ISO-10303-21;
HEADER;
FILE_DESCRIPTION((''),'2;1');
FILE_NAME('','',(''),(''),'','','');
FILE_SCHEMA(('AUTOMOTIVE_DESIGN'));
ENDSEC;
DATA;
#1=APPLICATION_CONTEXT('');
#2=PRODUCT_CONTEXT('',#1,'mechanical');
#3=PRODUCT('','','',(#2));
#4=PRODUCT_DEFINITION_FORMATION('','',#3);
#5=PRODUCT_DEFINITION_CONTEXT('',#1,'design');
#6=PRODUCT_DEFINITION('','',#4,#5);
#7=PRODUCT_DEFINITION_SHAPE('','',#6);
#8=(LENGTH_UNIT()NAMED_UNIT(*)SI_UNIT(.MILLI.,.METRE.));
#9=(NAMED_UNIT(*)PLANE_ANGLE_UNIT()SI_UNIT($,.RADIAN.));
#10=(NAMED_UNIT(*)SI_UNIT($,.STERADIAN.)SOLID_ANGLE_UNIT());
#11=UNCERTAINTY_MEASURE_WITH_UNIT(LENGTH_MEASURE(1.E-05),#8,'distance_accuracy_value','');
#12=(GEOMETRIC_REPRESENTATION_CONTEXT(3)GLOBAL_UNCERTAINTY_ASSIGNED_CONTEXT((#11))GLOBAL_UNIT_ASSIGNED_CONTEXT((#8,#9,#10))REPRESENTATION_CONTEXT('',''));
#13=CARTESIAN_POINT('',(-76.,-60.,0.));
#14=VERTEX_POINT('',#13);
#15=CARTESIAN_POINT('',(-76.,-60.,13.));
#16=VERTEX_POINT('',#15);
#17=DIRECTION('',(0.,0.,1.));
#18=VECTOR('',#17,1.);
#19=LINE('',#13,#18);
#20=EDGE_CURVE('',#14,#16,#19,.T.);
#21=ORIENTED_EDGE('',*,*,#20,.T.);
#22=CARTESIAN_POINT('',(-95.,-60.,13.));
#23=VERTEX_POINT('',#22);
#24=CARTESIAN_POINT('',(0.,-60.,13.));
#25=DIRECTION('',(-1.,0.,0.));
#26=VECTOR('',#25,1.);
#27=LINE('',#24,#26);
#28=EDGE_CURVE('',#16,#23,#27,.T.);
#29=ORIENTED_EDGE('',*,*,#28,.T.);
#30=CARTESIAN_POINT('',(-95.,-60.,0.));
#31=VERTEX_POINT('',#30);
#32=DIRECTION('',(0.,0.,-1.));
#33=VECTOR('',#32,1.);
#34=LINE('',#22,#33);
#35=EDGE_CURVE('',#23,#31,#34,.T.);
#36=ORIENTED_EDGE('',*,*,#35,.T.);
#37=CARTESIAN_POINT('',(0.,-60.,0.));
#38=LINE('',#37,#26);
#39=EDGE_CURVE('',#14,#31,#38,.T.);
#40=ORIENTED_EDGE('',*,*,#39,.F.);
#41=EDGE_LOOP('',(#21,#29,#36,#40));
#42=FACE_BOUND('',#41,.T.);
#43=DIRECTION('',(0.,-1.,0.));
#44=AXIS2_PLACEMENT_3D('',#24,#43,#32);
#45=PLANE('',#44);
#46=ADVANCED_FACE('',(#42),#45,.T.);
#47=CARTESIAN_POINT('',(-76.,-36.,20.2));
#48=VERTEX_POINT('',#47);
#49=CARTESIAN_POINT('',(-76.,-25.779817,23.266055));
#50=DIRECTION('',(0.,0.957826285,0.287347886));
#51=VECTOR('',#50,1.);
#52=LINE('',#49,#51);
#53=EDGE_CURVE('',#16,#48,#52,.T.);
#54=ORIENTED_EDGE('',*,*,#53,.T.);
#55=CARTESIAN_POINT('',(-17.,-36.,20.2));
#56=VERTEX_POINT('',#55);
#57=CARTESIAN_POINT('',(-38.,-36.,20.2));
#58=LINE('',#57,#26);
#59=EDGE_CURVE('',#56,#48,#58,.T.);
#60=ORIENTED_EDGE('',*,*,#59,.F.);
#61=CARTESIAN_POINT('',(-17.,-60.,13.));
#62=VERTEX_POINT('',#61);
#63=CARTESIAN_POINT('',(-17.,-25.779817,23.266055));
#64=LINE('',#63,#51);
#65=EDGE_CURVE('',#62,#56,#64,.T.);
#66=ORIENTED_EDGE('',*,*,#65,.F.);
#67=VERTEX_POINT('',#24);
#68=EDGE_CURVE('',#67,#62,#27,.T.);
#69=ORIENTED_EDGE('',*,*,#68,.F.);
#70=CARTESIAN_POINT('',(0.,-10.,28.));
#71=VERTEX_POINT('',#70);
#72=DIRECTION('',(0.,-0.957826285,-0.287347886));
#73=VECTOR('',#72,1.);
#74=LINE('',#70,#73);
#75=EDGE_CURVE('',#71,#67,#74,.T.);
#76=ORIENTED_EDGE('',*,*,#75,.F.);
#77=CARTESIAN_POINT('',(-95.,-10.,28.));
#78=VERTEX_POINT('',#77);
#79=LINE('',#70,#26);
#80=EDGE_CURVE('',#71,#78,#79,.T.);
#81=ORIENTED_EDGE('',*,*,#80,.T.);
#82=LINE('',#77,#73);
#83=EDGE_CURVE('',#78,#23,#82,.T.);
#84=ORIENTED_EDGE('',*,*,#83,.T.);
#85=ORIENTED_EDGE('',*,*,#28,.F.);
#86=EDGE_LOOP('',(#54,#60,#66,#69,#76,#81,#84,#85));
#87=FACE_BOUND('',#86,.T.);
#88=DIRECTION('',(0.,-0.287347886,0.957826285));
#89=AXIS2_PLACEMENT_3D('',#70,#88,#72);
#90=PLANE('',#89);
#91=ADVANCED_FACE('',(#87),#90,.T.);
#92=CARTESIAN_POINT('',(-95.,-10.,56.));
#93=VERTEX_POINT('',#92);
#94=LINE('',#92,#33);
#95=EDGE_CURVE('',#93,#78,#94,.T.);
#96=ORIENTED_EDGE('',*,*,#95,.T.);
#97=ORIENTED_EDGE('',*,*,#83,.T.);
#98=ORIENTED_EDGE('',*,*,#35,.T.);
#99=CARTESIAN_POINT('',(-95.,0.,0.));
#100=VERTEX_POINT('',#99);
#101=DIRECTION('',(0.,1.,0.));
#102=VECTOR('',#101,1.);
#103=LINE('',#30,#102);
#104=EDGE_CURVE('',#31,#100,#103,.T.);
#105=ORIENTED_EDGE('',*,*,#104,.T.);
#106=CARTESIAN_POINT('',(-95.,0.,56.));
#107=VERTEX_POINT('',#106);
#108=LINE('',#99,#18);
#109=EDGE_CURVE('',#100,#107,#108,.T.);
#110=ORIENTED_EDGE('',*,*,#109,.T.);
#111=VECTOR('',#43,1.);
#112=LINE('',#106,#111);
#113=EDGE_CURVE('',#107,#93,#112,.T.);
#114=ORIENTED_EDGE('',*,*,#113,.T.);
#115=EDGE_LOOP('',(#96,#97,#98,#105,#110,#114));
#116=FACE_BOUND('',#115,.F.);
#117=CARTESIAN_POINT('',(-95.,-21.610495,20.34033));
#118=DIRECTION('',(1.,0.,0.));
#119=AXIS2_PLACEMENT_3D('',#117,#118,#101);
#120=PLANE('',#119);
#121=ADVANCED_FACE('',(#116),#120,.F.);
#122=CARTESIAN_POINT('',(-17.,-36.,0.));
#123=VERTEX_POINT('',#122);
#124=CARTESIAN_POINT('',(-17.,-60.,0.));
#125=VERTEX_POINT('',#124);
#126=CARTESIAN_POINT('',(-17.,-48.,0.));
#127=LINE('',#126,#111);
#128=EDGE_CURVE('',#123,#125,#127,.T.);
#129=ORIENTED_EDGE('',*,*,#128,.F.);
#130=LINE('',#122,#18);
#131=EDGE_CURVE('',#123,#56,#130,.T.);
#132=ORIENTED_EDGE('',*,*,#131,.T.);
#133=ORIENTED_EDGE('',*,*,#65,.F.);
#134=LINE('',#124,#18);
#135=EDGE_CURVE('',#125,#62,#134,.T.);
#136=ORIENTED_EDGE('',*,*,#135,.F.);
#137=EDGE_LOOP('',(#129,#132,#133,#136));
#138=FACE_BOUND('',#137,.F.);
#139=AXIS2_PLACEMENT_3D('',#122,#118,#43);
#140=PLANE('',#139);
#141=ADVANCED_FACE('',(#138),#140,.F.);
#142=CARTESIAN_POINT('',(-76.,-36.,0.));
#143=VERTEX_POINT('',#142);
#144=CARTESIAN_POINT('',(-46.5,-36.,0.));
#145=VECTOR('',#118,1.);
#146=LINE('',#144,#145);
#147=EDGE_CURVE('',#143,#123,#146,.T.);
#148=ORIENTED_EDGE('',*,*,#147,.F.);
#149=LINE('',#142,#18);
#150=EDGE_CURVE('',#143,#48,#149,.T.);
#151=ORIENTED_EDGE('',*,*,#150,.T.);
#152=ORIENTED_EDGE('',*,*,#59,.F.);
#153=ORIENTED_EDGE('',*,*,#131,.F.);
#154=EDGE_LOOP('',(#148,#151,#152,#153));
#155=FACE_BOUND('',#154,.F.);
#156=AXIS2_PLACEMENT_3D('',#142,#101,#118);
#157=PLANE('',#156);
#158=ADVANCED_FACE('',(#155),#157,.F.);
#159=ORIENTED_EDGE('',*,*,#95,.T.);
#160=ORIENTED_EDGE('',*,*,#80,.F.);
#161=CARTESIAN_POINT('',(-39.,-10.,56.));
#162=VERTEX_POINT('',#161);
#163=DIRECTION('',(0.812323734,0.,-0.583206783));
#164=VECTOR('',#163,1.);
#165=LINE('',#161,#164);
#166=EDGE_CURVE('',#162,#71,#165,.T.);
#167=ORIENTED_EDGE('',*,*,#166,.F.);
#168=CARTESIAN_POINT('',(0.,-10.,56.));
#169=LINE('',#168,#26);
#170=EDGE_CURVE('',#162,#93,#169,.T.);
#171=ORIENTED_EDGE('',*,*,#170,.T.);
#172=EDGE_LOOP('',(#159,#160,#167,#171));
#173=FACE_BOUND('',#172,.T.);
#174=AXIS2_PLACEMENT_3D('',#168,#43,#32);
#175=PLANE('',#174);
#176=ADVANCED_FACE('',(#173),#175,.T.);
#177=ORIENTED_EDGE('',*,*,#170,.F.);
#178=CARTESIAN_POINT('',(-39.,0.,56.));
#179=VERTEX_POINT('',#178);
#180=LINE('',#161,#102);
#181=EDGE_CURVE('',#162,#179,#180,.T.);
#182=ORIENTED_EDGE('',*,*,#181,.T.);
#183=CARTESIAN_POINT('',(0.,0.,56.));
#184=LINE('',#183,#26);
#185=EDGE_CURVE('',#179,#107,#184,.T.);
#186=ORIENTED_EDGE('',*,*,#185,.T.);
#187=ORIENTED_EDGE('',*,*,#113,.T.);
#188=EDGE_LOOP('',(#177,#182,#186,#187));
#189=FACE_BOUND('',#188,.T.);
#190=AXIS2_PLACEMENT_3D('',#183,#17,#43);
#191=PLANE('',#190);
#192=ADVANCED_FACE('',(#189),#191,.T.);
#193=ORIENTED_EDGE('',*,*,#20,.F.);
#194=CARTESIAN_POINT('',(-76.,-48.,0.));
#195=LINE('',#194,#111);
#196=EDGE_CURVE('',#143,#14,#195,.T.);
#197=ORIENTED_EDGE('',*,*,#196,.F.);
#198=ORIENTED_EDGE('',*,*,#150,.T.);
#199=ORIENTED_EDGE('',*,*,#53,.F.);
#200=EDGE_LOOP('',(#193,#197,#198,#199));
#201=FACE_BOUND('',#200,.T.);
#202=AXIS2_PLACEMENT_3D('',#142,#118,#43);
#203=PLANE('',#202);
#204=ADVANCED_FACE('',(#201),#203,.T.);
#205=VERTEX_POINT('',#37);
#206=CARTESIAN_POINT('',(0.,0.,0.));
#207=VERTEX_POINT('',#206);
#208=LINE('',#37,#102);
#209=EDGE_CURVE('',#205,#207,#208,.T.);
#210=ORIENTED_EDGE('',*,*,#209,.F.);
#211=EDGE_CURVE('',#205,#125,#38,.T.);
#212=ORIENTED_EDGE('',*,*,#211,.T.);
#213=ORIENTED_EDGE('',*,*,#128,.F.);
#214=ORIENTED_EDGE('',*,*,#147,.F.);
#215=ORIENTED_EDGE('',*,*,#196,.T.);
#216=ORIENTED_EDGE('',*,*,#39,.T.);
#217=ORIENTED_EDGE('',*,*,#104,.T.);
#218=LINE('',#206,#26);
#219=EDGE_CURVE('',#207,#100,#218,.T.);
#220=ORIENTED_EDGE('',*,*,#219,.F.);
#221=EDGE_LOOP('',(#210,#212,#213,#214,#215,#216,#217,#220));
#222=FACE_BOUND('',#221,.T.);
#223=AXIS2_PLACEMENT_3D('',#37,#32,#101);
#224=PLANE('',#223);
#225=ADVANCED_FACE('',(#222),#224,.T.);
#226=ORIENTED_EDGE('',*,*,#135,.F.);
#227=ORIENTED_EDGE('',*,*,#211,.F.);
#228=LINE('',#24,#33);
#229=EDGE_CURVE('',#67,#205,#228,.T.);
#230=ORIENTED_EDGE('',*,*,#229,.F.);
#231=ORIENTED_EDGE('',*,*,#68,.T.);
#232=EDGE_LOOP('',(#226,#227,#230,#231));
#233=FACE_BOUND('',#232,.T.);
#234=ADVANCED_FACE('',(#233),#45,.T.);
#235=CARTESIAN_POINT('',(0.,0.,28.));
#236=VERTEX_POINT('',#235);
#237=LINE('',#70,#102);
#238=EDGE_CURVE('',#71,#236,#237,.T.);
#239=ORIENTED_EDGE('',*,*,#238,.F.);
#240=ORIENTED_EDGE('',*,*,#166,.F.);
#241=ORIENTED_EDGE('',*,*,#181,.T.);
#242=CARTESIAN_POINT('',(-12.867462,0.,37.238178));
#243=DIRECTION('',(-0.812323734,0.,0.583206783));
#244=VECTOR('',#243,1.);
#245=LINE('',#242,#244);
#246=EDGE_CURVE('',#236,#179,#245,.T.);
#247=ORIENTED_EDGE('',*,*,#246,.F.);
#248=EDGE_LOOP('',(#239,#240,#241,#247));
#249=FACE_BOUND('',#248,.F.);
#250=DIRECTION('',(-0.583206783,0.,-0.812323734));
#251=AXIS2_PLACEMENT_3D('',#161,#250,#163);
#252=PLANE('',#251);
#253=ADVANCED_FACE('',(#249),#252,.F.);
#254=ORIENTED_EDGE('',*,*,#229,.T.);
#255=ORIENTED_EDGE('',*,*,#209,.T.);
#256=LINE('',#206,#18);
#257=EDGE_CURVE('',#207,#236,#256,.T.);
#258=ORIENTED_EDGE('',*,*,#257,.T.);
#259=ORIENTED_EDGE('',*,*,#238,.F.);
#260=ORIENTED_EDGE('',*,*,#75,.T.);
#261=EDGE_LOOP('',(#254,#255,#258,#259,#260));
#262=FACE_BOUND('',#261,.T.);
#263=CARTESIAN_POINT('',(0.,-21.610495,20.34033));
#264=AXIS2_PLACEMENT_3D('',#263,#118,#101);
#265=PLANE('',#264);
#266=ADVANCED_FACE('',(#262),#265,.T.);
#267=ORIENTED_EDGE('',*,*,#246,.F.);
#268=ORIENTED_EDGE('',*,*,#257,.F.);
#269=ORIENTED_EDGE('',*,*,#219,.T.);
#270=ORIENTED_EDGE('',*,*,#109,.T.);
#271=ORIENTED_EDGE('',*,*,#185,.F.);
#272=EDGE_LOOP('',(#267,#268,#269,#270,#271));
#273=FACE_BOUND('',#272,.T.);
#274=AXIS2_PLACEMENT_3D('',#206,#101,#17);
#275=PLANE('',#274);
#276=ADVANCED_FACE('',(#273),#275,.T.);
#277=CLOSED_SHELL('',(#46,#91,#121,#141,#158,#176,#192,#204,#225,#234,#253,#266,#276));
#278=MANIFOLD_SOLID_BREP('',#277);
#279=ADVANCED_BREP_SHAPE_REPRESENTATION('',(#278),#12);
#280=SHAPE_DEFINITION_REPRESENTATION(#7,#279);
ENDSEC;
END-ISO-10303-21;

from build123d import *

# Parameters (mm, degrees)
F1_DEPTH = 95
F3_DEPTH = 45.5
F4_W     = 59
F4_H     = 24
F5_DEPTH = 95


with BuildPart() as f1:
    # F0 (on Right) → F1 (new body)
    with BuildSketch(Plane.YZ):
        Polygon((-60, 0), (0, 0), (0, 56), (-10, 56), (-10, 28), (-60, 13), align=None)
    extrude(amount=-F1_DEPTH)

    # F2 (on face) → F3 (cut)
    with BuildSketch(Plane.XZ.offset(10)):
        Polygon((-39, 56), (0, 28), (0, 56), align=None)
    extrude(amount=-F3_DEPTH, mode=Mode.SUBTRACT)

    # F4 (on face) → F5 (cut)
    with BuildSketch(Plane(origin=(0, 0, 0), x_dir=(1, 0, 0), z_dir=(0, 0, -1))):
        with Locations((-46.5, 48)):
            Rectangle(F4_W, F4_H)
    extrude(amount=-F5_DEPTH, mode=Mode.SUBTRACT)


solid = f1.part
